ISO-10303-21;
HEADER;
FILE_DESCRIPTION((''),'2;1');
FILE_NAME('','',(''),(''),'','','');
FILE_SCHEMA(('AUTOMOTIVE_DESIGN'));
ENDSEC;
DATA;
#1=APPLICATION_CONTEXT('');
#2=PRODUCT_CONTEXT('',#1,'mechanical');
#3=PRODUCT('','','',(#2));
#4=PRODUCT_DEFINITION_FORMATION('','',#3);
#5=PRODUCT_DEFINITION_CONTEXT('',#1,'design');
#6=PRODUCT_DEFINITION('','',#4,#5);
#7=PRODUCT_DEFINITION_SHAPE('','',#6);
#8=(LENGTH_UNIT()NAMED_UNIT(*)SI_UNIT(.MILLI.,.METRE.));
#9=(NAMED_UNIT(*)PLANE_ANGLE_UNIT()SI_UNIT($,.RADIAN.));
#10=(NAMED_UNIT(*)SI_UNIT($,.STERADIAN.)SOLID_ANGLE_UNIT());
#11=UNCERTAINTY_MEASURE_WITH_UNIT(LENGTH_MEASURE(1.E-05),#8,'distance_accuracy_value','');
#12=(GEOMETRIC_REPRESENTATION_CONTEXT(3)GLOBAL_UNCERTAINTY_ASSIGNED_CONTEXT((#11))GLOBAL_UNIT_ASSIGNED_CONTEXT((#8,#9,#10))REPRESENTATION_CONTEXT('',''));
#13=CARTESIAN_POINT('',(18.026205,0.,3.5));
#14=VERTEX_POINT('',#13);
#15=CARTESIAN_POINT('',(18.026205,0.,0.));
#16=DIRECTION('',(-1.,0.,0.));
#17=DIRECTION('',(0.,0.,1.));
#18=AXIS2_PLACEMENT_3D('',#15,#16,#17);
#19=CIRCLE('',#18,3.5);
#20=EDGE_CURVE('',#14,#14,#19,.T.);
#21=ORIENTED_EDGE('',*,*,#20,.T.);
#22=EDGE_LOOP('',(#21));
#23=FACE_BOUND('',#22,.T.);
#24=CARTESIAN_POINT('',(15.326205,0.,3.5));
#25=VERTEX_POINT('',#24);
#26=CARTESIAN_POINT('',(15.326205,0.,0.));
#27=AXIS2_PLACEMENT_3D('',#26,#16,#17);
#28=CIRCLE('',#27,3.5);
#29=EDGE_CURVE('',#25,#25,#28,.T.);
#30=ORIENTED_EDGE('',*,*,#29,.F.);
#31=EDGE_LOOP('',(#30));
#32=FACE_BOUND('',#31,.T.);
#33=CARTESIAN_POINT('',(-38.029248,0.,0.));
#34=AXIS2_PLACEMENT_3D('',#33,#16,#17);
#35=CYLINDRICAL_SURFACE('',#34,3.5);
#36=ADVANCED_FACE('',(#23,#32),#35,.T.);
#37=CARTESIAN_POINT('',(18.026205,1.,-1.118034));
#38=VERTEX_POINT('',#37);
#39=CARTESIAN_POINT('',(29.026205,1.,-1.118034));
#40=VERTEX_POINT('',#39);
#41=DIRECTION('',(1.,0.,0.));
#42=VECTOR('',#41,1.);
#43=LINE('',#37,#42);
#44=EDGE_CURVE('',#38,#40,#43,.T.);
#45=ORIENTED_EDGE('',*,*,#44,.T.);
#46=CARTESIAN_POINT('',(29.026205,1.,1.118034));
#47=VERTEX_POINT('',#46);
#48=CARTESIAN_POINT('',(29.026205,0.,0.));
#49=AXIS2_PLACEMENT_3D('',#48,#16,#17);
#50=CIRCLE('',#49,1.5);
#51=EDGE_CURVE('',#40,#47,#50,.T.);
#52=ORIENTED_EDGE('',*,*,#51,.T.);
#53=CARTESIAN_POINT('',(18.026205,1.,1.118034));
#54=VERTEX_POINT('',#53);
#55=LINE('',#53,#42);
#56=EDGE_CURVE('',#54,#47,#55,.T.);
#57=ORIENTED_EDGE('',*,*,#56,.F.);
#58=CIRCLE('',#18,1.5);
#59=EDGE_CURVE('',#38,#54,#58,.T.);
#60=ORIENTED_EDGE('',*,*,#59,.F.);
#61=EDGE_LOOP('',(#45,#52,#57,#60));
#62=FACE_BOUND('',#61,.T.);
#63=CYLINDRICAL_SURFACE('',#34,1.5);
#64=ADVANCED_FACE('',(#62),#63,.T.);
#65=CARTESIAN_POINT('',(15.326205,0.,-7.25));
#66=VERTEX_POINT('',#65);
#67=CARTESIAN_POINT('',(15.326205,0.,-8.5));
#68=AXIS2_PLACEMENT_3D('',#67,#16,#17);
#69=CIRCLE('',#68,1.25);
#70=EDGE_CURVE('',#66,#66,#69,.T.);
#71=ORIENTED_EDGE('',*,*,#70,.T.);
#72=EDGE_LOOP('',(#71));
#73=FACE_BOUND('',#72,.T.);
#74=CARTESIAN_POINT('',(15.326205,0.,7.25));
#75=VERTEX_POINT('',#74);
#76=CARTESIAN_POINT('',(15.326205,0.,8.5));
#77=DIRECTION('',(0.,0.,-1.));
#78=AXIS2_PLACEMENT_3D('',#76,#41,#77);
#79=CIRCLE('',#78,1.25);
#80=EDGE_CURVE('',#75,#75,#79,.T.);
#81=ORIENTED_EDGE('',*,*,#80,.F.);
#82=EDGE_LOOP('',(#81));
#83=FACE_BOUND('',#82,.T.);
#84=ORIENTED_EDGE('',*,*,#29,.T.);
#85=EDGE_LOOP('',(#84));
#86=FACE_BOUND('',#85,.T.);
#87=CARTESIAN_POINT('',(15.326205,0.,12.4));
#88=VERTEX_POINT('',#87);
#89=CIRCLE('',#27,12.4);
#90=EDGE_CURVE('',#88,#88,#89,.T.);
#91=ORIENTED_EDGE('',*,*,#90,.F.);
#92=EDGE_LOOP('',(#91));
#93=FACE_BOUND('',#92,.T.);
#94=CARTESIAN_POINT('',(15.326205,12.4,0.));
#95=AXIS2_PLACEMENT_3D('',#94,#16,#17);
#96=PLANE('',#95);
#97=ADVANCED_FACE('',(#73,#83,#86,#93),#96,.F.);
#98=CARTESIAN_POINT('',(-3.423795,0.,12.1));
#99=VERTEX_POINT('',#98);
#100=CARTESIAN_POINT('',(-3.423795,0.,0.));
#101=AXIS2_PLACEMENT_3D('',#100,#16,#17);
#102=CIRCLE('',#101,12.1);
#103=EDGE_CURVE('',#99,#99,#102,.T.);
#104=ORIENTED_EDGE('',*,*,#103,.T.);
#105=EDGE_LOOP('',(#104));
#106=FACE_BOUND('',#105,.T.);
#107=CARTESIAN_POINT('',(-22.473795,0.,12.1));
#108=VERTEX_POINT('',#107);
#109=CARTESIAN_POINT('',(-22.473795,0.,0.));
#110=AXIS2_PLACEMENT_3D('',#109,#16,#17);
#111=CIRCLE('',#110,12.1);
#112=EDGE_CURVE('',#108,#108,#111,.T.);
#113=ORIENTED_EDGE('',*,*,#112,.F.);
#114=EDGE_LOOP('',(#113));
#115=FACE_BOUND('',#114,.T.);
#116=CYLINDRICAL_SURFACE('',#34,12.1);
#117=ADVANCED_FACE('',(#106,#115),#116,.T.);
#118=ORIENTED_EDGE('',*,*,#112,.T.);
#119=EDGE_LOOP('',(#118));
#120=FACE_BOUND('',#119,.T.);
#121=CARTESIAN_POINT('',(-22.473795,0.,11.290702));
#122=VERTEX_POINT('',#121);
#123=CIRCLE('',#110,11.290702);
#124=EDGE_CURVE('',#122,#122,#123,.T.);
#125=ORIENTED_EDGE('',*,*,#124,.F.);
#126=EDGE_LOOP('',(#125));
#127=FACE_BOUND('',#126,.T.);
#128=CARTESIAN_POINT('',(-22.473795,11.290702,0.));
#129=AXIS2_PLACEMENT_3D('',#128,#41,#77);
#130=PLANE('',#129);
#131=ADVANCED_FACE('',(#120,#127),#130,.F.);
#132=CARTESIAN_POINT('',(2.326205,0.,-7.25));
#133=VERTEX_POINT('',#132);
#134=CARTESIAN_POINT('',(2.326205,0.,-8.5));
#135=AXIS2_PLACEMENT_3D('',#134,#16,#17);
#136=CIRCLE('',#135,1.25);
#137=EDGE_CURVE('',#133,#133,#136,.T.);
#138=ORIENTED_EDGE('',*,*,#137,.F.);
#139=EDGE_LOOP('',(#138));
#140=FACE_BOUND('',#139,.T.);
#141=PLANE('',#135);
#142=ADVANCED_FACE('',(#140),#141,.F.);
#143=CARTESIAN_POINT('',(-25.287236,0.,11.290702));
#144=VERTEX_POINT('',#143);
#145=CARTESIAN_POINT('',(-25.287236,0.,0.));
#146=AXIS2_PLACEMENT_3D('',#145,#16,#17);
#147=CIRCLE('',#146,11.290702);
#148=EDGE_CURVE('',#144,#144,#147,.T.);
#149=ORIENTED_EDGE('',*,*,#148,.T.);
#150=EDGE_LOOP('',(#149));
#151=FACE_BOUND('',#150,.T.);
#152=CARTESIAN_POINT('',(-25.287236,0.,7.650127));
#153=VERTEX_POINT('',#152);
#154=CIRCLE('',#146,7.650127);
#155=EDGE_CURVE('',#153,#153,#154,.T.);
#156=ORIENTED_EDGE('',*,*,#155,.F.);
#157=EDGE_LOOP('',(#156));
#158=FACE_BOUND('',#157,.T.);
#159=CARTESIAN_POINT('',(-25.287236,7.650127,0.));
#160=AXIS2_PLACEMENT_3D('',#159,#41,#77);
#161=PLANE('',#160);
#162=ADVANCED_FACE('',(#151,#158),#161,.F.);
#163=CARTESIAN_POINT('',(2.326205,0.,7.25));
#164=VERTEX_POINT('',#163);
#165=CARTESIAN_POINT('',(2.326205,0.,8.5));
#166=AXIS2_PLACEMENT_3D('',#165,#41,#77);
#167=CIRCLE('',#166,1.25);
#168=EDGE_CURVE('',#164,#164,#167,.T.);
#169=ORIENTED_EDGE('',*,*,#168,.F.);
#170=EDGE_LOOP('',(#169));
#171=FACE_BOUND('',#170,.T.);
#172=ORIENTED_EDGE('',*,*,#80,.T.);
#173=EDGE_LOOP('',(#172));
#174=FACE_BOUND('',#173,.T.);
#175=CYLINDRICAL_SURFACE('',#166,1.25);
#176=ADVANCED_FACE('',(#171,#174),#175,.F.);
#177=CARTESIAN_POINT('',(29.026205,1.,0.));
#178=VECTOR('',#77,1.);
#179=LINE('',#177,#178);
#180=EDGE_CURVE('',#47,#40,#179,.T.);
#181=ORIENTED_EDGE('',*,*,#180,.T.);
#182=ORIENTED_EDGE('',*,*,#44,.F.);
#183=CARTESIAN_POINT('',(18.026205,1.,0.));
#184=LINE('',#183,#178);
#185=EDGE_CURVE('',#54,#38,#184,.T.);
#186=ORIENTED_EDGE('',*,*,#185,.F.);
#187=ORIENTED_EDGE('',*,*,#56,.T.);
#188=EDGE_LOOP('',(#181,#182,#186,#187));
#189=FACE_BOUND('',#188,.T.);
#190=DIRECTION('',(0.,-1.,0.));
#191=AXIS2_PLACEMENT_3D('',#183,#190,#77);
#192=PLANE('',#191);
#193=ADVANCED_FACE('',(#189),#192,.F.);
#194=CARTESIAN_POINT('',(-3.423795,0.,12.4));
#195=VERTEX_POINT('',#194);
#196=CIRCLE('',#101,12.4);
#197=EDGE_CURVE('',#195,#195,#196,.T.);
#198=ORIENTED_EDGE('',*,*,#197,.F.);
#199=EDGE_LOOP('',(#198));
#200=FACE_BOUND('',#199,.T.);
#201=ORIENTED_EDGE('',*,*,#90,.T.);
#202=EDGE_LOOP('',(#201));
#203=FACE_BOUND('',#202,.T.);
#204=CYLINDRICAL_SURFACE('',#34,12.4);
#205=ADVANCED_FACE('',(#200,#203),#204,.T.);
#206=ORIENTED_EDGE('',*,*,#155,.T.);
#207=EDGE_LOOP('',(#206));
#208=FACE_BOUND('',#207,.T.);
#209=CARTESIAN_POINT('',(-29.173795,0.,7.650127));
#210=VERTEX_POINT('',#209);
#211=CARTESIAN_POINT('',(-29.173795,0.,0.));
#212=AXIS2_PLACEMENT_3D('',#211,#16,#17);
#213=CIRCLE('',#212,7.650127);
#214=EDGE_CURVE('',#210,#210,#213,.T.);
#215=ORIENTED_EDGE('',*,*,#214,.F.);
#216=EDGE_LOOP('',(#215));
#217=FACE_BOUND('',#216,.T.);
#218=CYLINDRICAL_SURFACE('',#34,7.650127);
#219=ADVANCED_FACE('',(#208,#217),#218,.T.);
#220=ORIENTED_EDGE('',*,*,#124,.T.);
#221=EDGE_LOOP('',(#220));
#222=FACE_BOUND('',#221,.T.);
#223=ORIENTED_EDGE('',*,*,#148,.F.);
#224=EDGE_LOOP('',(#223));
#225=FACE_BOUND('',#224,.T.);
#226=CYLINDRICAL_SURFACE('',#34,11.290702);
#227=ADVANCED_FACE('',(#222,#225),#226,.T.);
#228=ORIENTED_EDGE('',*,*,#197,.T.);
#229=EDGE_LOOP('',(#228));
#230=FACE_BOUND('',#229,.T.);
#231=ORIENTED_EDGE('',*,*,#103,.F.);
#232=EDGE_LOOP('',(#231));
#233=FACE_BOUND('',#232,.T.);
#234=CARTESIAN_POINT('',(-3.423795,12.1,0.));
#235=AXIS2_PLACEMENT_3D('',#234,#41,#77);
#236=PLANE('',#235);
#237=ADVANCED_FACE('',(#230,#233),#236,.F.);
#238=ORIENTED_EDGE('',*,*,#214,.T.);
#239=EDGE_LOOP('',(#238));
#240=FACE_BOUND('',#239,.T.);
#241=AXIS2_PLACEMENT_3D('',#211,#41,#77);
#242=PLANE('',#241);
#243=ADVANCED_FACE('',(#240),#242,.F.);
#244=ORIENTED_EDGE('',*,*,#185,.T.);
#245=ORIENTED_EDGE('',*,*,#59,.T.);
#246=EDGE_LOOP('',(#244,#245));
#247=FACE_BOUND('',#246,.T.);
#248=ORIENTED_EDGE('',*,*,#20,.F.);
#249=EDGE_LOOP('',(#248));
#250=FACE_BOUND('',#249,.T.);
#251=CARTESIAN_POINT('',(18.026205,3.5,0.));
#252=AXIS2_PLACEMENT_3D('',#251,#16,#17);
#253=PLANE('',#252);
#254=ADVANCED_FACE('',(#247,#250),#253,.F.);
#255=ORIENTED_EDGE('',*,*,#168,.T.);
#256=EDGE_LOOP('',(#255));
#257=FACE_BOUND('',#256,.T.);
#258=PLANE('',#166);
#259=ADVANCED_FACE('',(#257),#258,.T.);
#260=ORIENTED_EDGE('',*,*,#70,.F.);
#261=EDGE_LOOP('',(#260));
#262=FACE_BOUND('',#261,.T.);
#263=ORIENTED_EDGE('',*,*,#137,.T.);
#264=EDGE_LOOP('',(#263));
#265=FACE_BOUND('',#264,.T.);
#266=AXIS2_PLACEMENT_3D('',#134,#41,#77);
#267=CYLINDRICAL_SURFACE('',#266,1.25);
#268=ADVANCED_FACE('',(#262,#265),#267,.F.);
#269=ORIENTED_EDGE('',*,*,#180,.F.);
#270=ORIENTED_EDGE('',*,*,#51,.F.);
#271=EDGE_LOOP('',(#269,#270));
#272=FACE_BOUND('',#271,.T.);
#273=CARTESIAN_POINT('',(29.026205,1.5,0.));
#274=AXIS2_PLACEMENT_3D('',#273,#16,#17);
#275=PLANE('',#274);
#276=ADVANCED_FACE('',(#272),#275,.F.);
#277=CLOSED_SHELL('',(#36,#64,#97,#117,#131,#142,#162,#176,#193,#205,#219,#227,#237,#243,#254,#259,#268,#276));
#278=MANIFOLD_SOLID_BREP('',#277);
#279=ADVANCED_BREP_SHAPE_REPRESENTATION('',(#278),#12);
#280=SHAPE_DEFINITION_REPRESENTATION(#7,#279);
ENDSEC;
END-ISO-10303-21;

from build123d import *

# Parameters (mm, degrees)
CUT_EXTRUDE_3_DEPTH = 11
SKETCH_3_R          = 1.25
CUT_EXTRUDE_4_DEPTH = 13


with BuildPart() as part:
    # 草图1 → 旋转1 (revolve)
    with BuildSketch(Plane.XY, mode=Mode.PRIVATE) as revolve_1_sk:
        Polygon((-29.173795435, 0), (-29.173795435, 7.650126796), (-25.287235841, 7.650126796), (-25.287235841, 11.290701606), (-22.473795435, 11.290701606), (-22.473795435, 12.1), (-3.423795435, 12.1), (-3.423795435, 12.4), (15.326204565, 12.4), (15.326204565, 3.5), (18.026204565, 3.5), (18.026204565, 1.5), (29.026204565, 1.5), (29.026204565, 0), align=None)
    revolve(revolve_1_sk.sketch.rotate(Axis((-38.029247675, 0, 0), (1, 0, 0)), 90), axis=Axis((-38.029247675, 0, 0), (1, 0, 0)))

    # 草图2 → 切除-拉伸3 (cut)
    with BuildSketch(Plane(origin=(29.026204565, 0, 0), x_dir=(0, 0, -1), z_dir=(1, 0, 0))):
        Polygon((-49.186248705, 1), (-1.118033989, 1), (1.118033989, 1), (49.186248705, 1), (49.186248705, 97.136429433), (-49.186248705, 97.136429433), align=None)
    extrude(amount=-CUT_EXTRUDE_3_DEPTH, mode=Mode.SUBTRACT)

    # 草图3 → 切除-拉伸4 (cut)
    with BuildSketch(Plane(origin=(15.326204565, 0, 0), x_dir=(0, 0, -1), z_dir=(1, 0, 0))):
        with Locations((-8.5, 0)):
            Circle(SKETCH_3_R)
        with Locations(Location((8.5, 0, 0), (0, 0, 180))):
            Circle(SKETCH_3_R)
    extrude(amount=-CUT_EXTRUDE_4_DEPTH, mode=Mode.SUBTRACT)


solid = part.part
